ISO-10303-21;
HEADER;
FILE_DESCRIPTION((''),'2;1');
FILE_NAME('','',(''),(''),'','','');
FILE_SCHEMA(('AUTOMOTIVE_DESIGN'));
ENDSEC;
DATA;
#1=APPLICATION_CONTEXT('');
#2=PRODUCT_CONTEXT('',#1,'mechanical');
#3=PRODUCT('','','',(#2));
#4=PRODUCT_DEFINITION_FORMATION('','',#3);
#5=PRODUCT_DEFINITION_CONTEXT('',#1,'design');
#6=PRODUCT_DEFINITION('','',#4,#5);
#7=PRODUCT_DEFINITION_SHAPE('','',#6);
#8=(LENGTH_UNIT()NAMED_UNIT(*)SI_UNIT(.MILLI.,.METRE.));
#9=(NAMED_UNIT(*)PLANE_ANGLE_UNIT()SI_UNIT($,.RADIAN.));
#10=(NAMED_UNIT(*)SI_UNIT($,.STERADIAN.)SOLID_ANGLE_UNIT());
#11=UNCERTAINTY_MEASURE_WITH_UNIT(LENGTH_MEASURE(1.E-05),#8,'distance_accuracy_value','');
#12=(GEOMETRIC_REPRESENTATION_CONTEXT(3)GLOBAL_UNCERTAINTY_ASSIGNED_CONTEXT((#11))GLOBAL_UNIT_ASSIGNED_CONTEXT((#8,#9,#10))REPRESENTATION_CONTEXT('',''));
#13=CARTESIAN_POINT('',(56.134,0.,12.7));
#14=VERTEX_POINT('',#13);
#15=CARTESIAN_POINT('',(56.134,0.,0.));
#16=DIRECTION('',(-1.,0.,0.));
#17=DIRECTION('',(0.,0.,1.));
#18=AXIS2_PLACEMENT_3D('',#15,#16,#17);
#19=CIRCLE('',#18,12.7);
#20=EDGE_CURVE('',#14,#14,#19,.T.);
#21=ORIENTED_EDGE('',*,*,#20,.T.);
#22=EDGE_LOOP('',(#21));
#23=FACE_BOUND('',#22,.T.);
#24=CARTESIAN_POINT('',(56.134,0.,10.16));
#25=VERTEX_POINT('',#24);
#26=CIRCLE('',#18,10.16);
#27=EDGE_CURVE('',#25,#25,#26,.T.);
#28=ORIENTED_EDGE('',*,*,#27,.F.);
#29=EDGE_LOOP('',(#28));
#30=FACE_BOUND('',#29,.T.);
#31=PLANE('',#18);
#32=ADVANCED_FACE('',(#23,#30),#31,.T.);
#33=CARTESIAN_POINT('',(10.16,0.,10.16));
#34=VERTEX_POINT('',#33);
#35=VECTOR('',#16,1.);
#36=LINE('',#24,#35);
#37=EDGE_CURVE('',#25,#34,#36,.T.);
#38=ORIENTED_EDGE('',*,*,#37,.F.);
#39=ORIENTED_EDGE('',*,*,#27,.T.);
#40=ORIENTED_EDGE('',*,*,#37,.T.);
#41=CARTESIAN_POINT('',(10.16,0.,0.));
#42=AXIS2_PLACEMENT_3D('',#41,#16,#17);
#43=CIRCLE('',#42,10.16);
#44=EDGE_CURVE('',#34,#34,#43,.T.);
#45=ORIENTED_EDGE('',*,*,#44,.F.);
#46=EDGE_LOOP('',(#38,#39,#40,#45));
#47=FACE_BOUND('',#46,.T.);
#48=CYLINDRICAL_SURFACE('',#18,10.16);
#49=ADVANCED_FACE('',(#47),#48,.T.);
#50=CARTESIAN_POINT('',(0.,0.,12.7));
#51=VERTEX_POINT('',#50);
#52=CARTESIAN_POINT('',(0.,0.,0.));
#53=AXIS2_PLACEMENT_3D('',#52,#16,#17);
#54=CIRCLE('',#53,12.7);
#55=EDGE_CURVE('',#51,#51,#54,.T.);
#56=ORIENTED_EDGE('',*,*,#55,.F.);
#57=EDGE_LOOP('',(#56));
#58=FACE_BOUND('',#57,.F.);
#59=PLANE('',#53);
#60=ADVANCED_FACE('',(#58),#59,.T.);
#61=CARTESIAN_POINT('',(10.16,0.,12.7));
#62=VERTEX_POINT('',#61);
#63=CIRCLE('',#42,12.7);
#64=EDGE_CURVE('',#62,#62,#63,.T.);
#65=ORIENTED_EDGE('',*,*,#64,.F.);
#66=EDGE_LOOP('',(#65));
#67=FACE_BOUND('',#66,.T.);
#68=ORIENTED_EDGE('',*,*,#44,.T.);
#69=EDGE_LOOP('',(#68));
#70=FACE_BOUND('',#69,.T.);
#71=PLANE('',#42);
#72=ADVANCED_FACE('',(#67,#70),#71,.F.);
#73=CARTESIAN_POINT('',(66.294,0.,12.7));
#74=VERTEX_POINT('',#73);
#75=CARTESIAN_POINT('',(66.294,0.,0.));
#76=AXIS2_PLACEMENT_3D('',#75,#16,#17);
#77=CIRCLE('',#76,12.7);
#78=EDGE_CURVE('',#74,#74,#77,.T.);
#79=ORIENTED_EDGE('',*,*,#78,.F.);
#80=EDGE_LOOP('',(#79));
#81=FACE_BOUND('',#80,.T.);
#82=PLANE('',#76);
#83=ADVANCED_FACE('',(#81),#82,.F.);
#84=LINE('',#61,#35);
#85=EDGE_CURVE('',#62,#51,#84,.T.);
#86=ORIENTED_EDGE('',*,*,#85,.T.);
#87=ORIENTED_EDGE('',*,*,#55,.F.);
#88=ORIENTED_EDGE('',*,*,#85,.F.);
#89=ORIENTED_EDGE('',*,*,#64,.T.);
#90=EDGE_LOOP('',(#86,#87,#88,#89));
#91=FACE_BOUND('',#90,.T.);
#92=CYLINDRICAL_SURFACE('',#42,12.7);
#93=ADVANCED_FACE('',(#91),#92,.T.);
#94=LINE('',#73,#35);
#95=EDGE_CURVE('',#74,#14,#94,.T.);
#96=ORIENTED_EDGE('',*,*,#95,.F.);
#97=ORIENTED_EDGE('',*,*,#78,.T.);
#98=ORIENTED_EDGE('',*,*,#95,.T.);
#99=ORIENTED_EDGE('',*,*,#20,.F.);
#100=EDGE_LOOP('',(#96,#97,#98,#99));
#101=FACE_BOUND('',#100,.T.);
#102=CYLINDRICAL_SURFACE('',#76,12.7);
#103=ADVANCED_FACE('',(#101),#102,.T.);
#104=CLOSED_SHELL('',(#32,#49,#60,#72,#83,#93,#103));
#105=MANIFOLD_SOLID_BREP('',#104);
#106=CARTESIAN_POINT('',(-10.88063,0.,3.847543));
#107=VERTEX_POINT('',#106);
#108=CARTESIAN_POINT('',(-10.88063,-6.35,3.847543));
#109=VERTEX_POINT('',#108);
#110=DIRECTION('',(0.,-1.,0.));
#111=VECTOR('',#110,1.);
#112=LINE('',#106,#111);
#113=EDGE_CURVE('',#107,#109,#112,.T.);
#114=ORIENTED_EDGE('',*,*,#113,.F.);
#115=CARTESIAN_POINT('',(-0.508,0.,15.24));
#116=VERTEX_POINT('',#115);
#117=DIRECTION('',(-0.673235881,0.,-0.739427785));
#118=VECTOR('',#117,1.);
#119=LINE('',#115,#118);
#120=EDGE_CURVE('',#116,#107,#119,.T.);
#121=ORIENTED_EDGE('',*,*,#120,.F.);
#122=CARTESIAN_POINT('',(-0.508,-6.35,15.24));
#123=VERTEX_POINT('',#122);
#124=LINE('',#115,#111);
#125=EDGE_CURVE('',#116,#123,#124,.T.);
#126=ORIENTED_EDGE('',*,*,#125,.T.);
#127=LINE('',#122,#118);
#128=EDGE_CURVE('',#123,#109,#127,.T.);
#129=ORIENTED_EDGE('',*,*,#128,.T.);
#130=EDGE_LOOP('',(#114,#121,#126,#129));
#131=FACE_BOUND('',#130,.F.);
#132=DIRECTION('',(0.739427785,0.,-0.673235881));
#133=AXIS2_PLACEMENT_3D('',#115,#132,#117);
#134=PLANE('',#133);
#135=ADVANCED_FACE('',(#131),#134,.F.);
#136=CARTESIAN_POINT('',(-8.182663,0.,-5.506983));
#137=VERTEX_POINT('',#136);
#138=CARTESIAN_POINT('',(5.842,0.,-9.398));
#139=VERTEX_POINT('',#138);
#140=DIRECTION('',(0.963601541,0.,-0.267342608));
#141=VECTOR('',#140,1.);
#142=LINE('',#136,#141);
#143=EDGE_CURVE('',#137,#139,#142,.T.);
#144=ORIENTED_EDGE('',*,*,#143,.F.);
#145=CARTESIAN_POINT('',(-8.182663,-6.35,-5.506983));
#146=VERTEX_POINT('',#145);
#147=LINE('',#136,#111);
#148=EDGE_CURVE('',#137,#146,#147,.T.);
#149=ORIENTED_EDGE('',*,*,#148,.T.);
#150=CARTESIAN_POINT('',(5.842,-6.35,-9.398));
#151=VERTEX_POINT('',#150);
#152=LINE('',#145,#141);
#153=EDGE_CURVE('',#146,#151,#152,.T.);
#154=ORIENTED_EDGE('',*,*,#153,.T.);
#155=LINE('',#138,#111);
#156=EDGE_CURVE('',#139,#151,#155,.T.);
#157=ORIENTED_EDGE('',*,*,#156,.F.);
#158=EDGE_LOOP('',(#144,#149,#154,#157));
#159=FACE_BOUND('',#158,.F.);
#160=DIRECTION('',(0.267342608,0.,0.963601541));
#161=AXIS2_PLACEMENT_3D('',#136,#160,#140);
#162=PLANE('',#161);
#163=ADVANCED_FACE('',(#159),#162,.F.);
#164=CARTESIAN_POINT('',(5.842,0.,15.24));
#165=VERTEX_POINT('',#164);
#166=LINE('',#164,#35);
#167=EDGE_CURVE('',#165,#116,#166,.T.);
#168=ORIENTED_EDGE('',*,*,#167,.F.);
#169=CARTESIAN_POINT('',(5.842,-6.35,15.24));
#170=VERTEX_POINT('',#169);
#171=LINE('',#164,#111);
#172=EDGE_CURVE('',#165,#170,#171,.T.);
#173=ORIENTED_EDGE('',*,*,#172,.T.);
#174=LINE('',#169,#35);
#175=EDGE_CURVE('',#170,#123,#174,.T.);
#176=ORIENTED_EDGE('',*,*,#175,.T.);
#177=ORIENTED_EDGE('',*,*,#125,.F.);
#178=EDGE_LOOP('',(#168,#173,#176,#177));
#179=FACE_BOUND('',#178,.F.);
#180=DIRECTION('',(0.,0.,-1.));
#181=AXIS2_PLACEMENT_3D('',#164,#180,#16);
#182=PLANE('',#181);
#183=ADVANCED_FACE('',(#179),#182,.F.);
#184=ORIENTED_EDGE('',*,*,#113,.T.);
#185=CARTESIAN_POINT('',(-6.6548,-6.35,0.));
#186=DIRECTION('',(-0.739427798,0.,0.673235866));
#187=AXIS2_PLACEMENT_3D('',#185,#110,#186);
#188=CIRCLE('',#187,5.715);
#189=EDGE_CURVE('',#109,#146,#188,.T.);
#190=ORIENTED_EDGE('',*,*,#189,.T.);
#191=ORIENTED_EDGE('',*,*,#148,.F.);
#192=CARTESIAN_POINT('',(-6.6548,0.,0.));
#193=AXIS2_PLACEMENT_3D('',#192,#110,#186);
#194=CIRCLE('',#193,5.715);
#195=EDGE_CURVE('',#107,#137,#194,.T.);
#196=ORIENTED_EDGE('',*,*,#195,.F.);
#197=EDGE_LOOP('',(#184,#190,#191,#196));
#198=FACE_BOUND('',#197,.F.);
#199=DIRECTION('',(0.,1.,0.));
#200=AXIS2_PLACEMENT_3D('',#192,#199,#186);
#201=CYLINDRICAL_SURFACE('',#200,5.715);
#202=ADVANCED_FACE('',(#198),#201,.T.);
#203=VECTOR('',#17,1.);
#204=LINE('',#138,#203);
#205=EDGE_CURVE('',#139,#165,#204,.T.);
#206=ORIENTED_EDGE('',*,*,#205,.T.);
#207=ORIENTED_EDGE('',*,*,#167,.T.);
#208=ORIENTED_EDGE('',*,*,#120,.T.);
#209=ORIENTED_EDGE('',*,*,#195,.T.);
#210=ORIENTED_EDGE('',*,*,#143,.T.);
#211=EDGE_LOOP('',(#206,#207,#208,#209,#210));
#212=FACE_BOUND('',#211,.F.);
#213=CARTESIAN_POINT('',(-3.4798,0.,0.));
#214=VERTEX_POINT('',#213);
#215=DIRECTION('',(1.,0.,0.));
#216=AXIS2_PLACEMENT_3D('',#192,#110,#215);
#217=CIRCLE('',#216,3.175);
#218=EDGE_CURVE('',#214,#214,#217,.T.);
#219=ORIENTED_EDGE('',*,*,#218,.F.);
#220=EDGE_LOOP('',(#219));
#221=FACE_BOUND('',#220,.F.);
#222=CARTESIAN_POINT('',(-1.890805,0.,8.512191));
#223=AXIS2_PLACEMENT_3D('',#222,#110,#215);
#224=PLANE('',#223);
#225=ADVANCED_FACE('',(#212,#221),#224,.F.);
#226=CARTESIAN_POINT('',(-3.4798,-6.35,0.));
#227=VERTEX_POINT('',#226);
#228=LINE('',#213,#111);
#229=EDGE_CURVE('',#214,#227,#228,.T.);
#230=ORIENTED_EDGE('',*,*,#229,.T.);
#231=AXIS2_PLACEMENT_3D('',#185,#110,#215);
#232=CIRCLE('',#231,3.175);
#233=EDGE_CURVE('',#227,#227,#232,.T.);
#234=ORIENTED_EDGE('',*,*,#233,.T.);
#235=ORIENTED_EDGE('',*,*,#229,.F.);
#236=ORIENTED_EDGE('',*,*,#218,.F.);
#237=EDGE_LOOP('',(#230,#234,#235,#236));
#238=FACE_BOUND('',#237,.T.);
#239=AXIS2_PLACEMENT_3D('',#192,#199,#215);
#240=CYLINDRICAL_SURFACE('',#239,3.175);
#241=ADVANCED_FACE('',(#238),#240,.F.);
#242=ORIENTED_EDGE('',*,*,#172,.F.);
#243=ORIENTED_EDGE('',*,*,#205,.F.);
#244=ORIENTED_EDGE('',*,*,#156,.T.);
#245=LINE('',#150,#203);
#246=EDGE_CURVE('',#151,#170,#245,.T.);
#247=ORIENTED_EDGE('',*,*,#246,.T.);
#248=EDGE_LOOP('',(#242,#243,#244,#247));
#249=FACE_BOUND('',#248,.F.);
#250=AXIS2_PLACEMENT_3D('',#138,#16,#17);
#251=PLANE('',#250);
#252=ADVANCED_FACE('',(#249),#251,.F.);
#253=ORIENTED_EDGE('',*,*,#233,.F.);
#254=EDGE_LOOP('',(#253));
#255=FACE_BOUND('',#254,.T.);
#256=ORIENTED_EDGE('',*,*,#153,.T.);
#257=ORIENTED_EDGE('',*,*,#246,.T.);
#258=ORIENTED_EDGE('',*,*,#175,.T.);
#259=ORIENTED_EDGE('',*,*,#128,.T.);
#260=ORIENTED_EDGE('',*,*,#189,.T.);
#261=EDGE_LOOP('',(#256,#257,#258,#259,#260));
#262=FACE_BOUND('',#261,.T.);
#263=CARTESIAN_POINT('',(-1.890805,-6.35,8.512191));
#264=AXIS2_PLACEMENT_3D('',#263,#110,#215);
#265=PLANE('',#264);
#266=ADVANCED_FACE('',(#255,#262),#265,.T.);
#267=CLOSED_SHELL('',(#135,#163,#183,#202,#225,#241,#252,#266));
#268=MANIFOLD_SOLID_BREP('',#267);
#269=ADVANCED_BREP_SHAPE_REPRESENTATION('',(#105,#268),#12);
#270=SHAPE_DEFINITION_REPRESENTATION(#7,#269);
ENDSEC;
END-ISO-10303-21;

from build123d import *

# Parameters (mm, degrees)
F0_W     = 5.842
F0_H     = 12.7
F0_R     = 3.175
F2_DEPTH = 6.35


with BuildPart() as f1:
    # F0 (on Front) → F1 (revolve)
    with BuildSketch(Plane.XZ):
        Polygon((5.842, 12.7), (5.842, 0), (66.294, 0), (66.294, 12.7), (56.134, 12.7), (56.134, 10.16), (10.16, 10.16), (10.16, 12.7), align=None)
        with Locations((2.921, 6.35)):
            Rectangle(F0_W, F0_H)
    revolve(axis=Axis((33.147, 0, 0), (-1, 0, 0)))


with BuildPart() as f2:
    # F0 (on Front) → F2 (new body)
    with BuildSketch(Plane.XZ):
        with BuildLine():
            Line((-0.9398, 0), (0, 0))
            Line((0, 0), (0, 12.7))
            Line((0, 12.7), (5.842, 12.7))
            Line((5.842, 12.7), (5.842, 15.24))
            Line((5.842, 15.24), (-0.508, 15.24))
            Line((-0.508, 15.24), (-10.88063, 3.847543))
            ThreePointArc((-10.88063, 3.847543), (-4.591961, 5.329721), (-0.9398, 0))
        make_face()
        with Locations((2.921, 6.35)):
            Rectangle(F0_W, F0_H)
        with BuildLine():
            Line((5.842, 0), (0, 0))
            Line((0, 0), (-0.9398, 0))
            ThreePointArc((-0.9398, 0), (-3.195791, -4.549339), (-8.182663, -5.506983))
            Line((-8.182663, -5.506983), (5.842, -9.398))
            Line((5.842, -9.398), (5.842, 0))
        make_face()
        with BuildLine():
            ThreePointArc((-8.182663, -5.506983), (-3.195791, -4.549339), (-0.9398, 0))
            ThreePointArc((-0.9398, 0), (-4.591961, 5.329721), (-10.88063, 3.847543))
            ThreePointArc((-10.88063, 3.847543), (-12.145978, -1.583727), (-8.182663, -5.506983))
        make_face()
        with Locations((-6.6548, 0)):
            Circle(F0_R, mode=Mode.SUBTRACT)
    extrude(amount=F2_DEPTH)


solid = Compound([f1.part, f2.part])
